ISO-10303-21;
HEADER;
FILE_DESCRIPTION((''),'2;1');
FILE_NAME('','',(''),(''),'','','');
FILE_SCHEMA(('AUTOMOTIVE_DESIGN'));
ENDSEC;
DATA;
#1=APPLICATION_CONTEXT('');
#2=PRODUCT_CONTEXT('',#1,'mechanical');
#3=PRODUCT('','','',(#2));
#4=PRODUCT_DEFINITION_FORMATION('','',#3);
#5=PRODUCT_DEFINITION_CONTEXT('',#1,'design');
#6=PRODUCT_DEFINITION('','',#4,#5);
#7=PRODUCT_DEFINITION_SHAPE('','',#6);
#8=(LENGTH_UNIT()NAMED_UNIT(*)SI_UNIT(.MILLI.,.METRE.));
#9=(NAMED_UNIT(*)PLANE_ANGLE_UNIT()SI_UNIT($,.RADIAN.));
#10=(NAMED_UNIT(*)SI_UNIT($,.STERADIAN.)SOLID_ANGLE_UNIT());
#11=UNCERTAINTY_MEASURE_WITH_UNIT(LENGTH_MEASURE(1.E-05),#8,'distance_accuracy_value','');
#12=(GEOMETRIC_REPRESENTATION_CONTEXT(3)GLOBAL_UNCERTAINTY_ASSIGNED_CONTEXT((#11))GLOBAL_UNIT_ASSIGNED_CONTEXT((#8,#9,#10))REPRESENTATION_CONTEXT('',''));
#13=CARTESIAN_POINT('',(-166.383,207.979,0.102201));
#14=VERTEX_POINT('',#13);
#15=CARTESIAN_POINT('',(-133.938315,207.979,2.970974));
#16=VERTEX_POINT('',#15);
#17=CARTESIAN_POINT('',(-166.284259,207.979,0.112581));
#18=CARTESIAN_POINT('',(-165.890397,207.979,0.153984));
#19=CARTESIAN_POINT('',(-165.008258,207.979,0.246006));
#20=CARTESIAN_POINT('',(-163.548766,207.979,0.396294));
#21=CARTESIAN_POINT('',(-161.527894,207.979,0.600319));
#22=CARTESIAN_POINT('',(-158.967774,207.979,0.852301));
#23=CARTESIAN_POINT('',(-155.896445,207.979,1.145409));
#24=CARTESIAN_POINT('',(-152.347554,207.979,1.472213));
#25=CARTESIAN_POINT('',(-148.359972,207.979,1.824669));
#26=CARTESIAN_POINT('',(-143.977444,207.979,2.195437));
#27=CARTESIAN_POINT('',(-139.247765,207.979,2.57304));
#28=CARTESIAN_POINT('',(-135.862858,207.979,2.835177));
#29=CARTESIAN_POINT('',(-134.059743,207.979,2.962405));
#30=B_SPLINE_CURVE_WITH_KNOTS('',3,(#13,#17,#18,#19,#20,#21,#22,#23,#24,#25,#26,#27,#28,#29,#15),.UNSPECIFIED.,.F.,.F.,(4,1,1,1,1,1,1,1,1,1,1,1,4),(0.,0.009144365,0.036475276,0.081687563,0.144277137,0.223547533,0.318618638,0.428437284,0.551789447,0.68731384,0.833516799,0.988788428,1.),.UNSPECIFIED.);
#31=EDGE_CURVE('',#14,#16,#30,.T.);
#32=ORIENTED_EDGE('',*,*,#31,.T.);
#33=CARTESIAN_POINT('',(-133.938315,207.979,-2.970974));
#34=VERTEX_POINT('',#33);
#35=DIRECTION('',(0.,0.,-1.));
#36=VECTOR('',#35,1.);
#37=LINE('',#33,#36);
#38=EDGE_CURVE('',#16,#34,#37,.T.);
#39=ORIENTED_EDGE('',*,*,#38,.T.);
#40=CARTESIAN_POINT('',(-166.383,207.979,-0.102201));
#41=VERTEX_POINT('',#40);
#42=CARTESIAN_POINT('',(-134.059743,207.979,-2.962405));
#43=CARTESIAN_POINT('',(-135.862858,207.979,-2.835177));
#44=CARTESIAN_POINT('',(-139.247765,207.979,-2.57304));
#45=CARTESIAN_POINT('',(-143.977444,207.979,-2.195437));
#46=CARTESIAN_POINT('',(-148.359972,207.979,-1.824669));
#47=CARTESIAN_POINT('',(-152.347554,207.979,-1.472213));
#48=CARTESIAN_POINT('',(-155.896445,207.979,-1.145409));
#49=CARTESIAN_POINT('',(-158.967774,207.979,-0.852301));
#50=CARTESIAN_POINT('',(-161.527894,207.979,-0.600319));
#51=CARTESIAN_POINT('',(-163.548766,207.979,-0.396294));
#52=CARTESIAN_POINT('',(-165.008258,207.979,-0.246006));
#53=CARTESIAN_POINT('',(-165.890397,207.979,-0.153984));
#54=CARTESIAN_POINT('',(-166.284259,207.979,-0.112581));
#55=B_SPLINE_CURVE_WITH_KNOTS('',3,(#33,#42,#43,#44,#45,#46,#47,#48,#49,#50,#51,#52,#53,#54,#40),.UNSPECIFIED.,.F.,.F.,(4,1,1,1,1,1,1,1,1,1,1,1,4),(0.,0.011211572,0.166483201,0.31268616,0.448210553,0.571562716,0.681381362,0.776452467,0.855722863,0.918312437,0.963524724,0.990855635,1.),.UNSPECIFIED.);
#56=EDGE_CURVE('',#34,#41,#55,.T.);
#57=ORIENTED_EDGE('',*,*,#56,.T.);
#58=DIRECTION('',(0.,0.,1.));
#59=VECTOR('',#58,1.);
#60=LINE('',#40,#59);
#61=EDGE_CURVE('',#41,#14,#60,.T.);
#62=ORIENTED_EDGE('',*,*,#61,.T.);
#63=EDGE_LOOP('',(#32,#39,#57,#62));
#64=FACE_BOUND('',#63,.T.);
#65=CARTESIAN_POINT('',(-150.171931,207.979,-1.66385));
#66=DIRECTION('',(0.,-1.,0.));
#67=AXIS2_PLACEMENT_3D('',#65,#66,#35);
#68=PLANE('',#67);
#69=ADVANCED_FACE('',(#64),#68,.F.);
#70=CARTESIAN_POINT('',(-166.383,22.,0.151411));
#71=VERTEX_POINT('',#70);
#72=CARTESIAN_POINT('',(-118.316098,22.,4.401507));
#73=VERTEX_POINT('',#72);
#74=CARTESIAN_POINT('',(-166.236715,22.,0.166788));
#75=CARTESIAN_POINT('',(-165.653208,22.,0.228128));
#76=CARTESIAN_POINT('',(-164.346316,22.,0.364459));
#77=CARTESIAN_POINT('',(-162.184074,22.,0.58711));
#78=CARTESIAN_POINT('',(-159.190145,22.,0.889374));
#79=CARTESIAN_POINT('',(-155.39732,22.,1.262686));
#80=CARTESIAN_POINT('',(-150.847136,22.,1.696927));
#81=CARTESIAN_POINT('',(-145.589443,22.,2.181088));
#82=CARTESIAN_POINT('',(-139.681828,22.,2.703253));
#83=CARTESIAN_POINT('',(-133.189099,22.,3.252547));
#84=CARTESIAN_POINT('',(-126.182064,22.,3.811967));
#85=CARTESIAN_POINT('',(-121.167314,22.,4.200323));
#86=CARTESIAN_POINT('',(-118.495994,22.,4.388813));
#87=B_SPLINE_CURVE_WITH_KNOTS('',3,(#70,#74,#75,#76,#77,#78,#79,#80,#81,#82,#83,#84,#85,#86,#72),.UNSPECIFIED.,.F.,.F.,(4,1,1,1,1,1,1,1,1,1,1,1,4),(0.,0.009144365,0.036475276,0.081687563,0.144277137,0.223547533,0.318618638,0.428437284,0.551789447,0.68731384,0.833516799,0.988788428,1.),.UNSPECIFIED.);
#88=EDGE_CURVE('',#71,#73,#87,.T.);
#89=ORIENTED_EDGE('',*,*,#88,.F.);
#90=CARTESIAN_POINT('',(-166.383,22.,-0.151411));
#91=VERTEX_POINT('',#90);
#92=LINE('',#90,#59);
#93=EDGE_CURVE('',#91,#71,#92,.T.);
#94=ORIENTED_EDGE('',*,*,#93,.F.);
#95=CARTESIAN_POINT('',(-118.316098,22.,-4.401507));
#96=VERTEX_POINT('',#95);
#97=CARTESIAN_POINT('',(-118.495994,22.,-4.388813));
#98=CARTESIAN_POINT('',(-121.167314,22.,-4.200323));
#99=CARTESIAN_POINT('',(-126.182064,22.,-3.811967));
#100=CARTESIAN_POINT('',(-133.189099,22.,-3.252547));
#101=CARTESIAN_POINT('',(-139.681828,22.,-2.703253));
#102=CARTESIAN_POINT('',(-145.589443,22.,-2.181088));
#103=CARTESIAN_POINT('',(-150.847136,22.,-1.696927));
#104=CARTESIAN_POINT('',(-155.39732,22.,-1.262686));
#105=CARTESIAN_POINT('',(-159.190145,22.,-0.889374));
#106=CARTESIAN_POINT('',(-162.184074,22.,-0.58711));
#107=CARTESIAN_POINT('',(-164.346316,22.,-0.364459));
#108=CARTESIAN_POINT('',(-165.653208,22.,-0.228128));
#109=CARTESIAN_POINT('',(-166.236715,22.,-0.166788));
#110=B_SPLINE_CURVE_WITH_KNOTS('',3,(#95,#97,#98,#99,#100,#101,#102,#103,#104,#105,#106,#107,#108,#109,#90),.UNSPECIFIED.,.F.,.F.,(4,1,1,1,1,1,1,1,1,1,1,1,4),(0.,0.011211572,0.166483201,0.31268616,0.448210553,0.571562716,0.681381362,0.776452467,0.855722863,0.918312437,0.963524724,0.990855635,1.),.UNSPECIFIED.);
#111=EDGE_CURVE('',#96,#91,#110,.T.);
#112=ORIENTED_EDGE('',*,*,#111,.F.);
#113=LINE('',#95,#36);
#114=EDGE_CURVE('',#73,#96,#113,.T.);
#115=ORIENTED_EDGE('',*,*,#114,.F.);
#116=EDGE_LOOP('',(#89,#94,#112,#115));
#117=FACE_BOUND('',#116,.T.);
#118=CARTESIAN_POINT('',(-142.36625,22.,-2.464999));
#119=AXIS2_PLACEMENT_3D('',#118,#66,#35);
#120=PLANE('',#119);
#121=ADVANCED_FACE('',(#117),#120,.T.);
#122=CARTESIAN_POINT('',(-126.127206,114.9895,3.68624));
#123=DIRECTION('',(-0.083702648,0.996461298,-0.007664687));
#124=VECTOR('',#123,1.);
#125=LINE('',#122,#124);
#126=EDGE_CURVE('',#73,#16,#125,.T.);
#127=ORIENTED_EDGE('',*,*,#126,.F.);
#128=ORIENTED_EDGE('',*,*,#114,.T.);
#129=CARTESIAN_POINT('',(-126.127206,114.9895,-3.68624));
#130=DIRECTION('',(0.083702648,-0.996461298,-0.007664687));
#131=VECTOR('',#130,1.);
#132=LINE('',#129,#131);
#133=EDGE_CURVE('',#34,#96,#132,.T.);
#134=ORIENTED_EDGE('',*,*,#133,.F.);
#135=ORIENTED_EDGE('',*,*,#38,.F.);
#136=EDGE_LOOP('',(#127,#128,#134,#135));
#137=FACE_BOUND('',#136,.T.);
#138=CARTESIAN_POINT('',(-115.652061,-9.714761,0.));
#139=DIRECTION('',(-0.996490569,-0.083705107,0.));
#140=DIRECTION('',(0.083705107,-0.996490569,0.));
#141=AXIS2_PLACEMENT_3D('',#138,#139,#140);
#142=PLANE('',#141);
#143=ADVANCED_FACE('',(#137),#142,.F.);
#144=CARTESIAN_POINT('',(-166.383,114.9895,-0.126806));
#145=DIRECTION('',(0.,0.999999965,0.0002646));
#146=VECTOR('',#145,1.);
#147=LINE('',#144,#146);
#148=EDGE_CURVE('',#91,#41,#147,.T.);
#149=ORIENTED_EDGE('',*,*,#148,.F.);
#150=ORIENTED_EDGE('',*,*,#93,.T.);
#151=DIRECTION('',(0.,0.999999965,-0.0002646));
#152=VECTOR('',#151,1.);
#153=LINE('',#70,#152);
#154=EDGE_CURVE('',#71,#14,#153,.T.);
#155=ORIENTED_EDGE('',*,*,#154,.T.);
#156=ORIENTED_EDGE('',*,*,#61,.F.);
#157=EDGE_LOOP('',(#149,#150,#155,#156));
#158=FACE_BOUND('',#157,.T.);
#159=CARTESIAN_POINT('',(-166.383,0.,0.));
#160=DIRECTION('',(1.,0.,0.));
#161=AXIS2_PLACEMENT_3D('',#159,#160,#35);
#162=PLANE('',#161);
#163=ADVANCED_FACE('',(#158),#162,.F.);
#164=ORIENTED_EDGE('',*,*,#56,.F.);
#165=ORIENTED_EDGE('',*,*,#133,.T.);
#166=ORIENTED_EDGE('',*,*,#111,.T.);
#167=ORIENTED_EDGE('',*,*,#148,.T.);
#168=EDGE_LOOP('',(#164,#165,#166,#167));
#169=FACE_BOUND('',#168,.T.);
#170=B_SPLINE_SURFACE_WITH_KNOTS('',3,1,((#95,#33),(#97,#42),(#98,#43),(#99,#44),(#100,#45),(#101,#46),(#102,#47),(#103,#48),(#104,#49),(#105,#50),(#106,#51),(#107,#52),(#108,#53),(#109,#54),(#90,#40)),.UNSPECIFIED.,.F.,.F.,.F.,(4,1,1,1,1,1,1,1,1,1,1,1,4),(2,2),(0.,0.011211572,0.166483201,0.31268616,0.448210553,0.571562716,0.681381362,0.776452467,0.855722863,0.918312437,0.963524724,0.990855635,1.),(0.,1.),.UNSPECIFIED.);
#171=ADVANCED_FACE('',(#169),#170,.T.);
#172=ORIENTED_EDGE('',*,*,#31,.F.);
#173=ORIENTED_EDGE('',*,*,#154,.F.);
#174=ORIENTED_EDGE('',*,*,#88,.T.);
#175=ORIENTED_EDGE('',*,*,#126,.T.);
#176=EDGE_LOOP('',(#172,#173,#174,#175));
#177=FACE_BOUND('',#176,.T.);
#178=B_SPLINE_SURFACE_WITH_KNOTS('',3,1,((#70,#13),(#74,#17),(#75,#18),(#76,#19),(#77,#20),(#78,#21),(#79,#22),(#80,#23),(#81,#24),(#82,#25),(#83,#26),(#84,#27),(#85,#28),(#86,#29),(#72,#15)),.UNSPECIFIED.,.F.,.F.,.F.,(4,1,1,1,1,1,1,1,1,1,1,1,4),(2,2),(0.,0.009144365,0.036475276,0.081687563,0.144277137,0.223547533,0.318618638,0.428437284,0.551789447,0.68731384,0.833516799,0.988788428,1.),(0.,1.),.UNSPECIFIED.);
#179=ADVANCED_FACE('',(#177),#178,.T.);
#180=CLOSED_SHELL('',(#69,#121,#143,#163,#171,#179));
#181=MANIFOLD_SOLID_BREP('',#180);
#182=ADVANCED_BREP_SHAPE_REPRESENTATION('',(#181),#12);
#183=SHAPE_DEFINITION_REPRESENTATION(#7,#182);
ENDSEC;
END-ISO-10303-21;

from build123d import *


with BuildPart() as part:
    # Sketch1 → Loft1 section 0
    with BuildSketch(Plane(origin=(0, 22, 0), x_dir=(1, 0, 0), z_dir=(0, 1, 0))):
        with BuildLine():
            Line((-118.316097779, 4.401506558), (-118.316097779, -4.401506558))
            add(Edge.make_bspline(
                [(-118.316097779, -4.401506558), (-118.495993978, -4.38881299), (-121.167313786, -4.200323293), (-126.18206438, -3.81196651), (-133.189099299, -3.252546709), (-139.681827725, -2.703253242), (-145.589443452, -2.181088181), (-150.847135809, -1.696926547), (-155.397319716, -1.262686024), (-159.190145274, -0.889374377), (-162.18407396, -0.587110223), (-164.346316112, -0.364458939), (-165.653207772, -0.228127654), (-166.236714621, -0.166788492), (-166.383, -0.151410742)],
                knots=[0, 0, 0, 0, 0.011211572, 0.166483201, 0.31268616, 0.448210553, 0.571562716, 0.681381362, 0.776452467, 0.855722863, 0.918312437, 0.963524724, 0.990855635, 1, 1, 1, 1], degree=3))
            Line((-166.383, -0.151410742), (-166.383, 0.151410742))
            add(Edge.make_bspline(
                [(-118.316097779, 4.401506558), (-118.495993978, 4.38881299), (-121.167313786, 4.200323293), (-126.18206438, 3.81196651), (-133.189099299, 3.252546709), (-139.681827725, 2.703253242), (-145.589443452, 2.181088181), (-150.847135809, 1.696926547), (-155.397319716, 1.262686024), (-159.190145274, 0.889374377), (-162.18407396, 0.587110223), (-164.346316112, 0.364458939), (-165.653207772, 0.228127654), (-166.236714621, 0.166788492), (-166.383, 0.151410742)],
                knots=[0, 0, 0, 0, 0.011211572, 0.166483201, 0.31268616, 0.448210553, 0.571562716, 0.681381362, 0.776452467, 0.855722863, 0.918312437, 0.963524724, 0.990855635, 1, 1, 1, 1], degree=3))
        make_face()
    # Sketch2 → Loft1 section 1
    with BuildSketch(Plane(origin=(0, 207.979, 0), x_dir=(1, 0, 0), z_dir=(0, 1, 0))):
        with BuildLine():
            Line((-133.938315, 2.970973522), (-133.938315, -2.970973522))
            add(Edge.make_bspline(
                [(-133.938315, -2.970973522), (-134.05974316, -2.962405489), (-135.862857688, -2.835176803), (-139.247764888, -2.573039804), (-143.97744436, -2.195436954), (-148.359972021, -1.824669281), (-152.347554381, -1.472213014), (-155.896444874, -1.145408685), (-158.967774141, -0.852300614), (-161.52789399, -0.600318934), (-163.548766329, -0.396293611), (-165.00825846, -0.24600619), (-165.890397443, -0.153983917), (-166.284258812, -0.112580587), (-166.383, -0.102200758)],
                knots=[0, 0, 0, 0, 0.011211572, 0.166483201, 0.31268616, 0.448210553, 0.571562716, 0.681381362, 0.776452467, 0.855722863, 0.918312437, 0.963524724, 0.990855635, 1, 1, 1, 1], degree=3))
            Line((-166.383, -0.102200758), (-166.383, 0.102200758))
            add(Edge.make_bspline(
                [(-133.938315, 2.970973522), (-134.05974316, 2.962405489), (-135.862857688, 2.835176803), (-139.247764888, 2.573039804), (-143.97744436, 2.195436954), (-148.359972021, 1.824669281), (-152.347554381, 1.472213014), (-155.896444874, 1.145408685), (-158.967774141, 0.852300614), (-161.52789399, 0.600318934), (-163.548766329, 0.396293611), (-165.00825846, 0.24600619), (-165.890397443, 0.153983917), (-166.284258812, 0.112580587), (-166.383, 0.102200758)],
                knots=[0, 0, 0, 0, 0.011211572, 0.166483201, 0.31268616, 0.448210553, 0.571562716, 0.681381362, 0.776452467, 0.855722863, 0.918312437, 0.963524724, 0.990855635, 1, 1, 1, 1], degree=3))
        make_face()
    loft()


solid = part.part
